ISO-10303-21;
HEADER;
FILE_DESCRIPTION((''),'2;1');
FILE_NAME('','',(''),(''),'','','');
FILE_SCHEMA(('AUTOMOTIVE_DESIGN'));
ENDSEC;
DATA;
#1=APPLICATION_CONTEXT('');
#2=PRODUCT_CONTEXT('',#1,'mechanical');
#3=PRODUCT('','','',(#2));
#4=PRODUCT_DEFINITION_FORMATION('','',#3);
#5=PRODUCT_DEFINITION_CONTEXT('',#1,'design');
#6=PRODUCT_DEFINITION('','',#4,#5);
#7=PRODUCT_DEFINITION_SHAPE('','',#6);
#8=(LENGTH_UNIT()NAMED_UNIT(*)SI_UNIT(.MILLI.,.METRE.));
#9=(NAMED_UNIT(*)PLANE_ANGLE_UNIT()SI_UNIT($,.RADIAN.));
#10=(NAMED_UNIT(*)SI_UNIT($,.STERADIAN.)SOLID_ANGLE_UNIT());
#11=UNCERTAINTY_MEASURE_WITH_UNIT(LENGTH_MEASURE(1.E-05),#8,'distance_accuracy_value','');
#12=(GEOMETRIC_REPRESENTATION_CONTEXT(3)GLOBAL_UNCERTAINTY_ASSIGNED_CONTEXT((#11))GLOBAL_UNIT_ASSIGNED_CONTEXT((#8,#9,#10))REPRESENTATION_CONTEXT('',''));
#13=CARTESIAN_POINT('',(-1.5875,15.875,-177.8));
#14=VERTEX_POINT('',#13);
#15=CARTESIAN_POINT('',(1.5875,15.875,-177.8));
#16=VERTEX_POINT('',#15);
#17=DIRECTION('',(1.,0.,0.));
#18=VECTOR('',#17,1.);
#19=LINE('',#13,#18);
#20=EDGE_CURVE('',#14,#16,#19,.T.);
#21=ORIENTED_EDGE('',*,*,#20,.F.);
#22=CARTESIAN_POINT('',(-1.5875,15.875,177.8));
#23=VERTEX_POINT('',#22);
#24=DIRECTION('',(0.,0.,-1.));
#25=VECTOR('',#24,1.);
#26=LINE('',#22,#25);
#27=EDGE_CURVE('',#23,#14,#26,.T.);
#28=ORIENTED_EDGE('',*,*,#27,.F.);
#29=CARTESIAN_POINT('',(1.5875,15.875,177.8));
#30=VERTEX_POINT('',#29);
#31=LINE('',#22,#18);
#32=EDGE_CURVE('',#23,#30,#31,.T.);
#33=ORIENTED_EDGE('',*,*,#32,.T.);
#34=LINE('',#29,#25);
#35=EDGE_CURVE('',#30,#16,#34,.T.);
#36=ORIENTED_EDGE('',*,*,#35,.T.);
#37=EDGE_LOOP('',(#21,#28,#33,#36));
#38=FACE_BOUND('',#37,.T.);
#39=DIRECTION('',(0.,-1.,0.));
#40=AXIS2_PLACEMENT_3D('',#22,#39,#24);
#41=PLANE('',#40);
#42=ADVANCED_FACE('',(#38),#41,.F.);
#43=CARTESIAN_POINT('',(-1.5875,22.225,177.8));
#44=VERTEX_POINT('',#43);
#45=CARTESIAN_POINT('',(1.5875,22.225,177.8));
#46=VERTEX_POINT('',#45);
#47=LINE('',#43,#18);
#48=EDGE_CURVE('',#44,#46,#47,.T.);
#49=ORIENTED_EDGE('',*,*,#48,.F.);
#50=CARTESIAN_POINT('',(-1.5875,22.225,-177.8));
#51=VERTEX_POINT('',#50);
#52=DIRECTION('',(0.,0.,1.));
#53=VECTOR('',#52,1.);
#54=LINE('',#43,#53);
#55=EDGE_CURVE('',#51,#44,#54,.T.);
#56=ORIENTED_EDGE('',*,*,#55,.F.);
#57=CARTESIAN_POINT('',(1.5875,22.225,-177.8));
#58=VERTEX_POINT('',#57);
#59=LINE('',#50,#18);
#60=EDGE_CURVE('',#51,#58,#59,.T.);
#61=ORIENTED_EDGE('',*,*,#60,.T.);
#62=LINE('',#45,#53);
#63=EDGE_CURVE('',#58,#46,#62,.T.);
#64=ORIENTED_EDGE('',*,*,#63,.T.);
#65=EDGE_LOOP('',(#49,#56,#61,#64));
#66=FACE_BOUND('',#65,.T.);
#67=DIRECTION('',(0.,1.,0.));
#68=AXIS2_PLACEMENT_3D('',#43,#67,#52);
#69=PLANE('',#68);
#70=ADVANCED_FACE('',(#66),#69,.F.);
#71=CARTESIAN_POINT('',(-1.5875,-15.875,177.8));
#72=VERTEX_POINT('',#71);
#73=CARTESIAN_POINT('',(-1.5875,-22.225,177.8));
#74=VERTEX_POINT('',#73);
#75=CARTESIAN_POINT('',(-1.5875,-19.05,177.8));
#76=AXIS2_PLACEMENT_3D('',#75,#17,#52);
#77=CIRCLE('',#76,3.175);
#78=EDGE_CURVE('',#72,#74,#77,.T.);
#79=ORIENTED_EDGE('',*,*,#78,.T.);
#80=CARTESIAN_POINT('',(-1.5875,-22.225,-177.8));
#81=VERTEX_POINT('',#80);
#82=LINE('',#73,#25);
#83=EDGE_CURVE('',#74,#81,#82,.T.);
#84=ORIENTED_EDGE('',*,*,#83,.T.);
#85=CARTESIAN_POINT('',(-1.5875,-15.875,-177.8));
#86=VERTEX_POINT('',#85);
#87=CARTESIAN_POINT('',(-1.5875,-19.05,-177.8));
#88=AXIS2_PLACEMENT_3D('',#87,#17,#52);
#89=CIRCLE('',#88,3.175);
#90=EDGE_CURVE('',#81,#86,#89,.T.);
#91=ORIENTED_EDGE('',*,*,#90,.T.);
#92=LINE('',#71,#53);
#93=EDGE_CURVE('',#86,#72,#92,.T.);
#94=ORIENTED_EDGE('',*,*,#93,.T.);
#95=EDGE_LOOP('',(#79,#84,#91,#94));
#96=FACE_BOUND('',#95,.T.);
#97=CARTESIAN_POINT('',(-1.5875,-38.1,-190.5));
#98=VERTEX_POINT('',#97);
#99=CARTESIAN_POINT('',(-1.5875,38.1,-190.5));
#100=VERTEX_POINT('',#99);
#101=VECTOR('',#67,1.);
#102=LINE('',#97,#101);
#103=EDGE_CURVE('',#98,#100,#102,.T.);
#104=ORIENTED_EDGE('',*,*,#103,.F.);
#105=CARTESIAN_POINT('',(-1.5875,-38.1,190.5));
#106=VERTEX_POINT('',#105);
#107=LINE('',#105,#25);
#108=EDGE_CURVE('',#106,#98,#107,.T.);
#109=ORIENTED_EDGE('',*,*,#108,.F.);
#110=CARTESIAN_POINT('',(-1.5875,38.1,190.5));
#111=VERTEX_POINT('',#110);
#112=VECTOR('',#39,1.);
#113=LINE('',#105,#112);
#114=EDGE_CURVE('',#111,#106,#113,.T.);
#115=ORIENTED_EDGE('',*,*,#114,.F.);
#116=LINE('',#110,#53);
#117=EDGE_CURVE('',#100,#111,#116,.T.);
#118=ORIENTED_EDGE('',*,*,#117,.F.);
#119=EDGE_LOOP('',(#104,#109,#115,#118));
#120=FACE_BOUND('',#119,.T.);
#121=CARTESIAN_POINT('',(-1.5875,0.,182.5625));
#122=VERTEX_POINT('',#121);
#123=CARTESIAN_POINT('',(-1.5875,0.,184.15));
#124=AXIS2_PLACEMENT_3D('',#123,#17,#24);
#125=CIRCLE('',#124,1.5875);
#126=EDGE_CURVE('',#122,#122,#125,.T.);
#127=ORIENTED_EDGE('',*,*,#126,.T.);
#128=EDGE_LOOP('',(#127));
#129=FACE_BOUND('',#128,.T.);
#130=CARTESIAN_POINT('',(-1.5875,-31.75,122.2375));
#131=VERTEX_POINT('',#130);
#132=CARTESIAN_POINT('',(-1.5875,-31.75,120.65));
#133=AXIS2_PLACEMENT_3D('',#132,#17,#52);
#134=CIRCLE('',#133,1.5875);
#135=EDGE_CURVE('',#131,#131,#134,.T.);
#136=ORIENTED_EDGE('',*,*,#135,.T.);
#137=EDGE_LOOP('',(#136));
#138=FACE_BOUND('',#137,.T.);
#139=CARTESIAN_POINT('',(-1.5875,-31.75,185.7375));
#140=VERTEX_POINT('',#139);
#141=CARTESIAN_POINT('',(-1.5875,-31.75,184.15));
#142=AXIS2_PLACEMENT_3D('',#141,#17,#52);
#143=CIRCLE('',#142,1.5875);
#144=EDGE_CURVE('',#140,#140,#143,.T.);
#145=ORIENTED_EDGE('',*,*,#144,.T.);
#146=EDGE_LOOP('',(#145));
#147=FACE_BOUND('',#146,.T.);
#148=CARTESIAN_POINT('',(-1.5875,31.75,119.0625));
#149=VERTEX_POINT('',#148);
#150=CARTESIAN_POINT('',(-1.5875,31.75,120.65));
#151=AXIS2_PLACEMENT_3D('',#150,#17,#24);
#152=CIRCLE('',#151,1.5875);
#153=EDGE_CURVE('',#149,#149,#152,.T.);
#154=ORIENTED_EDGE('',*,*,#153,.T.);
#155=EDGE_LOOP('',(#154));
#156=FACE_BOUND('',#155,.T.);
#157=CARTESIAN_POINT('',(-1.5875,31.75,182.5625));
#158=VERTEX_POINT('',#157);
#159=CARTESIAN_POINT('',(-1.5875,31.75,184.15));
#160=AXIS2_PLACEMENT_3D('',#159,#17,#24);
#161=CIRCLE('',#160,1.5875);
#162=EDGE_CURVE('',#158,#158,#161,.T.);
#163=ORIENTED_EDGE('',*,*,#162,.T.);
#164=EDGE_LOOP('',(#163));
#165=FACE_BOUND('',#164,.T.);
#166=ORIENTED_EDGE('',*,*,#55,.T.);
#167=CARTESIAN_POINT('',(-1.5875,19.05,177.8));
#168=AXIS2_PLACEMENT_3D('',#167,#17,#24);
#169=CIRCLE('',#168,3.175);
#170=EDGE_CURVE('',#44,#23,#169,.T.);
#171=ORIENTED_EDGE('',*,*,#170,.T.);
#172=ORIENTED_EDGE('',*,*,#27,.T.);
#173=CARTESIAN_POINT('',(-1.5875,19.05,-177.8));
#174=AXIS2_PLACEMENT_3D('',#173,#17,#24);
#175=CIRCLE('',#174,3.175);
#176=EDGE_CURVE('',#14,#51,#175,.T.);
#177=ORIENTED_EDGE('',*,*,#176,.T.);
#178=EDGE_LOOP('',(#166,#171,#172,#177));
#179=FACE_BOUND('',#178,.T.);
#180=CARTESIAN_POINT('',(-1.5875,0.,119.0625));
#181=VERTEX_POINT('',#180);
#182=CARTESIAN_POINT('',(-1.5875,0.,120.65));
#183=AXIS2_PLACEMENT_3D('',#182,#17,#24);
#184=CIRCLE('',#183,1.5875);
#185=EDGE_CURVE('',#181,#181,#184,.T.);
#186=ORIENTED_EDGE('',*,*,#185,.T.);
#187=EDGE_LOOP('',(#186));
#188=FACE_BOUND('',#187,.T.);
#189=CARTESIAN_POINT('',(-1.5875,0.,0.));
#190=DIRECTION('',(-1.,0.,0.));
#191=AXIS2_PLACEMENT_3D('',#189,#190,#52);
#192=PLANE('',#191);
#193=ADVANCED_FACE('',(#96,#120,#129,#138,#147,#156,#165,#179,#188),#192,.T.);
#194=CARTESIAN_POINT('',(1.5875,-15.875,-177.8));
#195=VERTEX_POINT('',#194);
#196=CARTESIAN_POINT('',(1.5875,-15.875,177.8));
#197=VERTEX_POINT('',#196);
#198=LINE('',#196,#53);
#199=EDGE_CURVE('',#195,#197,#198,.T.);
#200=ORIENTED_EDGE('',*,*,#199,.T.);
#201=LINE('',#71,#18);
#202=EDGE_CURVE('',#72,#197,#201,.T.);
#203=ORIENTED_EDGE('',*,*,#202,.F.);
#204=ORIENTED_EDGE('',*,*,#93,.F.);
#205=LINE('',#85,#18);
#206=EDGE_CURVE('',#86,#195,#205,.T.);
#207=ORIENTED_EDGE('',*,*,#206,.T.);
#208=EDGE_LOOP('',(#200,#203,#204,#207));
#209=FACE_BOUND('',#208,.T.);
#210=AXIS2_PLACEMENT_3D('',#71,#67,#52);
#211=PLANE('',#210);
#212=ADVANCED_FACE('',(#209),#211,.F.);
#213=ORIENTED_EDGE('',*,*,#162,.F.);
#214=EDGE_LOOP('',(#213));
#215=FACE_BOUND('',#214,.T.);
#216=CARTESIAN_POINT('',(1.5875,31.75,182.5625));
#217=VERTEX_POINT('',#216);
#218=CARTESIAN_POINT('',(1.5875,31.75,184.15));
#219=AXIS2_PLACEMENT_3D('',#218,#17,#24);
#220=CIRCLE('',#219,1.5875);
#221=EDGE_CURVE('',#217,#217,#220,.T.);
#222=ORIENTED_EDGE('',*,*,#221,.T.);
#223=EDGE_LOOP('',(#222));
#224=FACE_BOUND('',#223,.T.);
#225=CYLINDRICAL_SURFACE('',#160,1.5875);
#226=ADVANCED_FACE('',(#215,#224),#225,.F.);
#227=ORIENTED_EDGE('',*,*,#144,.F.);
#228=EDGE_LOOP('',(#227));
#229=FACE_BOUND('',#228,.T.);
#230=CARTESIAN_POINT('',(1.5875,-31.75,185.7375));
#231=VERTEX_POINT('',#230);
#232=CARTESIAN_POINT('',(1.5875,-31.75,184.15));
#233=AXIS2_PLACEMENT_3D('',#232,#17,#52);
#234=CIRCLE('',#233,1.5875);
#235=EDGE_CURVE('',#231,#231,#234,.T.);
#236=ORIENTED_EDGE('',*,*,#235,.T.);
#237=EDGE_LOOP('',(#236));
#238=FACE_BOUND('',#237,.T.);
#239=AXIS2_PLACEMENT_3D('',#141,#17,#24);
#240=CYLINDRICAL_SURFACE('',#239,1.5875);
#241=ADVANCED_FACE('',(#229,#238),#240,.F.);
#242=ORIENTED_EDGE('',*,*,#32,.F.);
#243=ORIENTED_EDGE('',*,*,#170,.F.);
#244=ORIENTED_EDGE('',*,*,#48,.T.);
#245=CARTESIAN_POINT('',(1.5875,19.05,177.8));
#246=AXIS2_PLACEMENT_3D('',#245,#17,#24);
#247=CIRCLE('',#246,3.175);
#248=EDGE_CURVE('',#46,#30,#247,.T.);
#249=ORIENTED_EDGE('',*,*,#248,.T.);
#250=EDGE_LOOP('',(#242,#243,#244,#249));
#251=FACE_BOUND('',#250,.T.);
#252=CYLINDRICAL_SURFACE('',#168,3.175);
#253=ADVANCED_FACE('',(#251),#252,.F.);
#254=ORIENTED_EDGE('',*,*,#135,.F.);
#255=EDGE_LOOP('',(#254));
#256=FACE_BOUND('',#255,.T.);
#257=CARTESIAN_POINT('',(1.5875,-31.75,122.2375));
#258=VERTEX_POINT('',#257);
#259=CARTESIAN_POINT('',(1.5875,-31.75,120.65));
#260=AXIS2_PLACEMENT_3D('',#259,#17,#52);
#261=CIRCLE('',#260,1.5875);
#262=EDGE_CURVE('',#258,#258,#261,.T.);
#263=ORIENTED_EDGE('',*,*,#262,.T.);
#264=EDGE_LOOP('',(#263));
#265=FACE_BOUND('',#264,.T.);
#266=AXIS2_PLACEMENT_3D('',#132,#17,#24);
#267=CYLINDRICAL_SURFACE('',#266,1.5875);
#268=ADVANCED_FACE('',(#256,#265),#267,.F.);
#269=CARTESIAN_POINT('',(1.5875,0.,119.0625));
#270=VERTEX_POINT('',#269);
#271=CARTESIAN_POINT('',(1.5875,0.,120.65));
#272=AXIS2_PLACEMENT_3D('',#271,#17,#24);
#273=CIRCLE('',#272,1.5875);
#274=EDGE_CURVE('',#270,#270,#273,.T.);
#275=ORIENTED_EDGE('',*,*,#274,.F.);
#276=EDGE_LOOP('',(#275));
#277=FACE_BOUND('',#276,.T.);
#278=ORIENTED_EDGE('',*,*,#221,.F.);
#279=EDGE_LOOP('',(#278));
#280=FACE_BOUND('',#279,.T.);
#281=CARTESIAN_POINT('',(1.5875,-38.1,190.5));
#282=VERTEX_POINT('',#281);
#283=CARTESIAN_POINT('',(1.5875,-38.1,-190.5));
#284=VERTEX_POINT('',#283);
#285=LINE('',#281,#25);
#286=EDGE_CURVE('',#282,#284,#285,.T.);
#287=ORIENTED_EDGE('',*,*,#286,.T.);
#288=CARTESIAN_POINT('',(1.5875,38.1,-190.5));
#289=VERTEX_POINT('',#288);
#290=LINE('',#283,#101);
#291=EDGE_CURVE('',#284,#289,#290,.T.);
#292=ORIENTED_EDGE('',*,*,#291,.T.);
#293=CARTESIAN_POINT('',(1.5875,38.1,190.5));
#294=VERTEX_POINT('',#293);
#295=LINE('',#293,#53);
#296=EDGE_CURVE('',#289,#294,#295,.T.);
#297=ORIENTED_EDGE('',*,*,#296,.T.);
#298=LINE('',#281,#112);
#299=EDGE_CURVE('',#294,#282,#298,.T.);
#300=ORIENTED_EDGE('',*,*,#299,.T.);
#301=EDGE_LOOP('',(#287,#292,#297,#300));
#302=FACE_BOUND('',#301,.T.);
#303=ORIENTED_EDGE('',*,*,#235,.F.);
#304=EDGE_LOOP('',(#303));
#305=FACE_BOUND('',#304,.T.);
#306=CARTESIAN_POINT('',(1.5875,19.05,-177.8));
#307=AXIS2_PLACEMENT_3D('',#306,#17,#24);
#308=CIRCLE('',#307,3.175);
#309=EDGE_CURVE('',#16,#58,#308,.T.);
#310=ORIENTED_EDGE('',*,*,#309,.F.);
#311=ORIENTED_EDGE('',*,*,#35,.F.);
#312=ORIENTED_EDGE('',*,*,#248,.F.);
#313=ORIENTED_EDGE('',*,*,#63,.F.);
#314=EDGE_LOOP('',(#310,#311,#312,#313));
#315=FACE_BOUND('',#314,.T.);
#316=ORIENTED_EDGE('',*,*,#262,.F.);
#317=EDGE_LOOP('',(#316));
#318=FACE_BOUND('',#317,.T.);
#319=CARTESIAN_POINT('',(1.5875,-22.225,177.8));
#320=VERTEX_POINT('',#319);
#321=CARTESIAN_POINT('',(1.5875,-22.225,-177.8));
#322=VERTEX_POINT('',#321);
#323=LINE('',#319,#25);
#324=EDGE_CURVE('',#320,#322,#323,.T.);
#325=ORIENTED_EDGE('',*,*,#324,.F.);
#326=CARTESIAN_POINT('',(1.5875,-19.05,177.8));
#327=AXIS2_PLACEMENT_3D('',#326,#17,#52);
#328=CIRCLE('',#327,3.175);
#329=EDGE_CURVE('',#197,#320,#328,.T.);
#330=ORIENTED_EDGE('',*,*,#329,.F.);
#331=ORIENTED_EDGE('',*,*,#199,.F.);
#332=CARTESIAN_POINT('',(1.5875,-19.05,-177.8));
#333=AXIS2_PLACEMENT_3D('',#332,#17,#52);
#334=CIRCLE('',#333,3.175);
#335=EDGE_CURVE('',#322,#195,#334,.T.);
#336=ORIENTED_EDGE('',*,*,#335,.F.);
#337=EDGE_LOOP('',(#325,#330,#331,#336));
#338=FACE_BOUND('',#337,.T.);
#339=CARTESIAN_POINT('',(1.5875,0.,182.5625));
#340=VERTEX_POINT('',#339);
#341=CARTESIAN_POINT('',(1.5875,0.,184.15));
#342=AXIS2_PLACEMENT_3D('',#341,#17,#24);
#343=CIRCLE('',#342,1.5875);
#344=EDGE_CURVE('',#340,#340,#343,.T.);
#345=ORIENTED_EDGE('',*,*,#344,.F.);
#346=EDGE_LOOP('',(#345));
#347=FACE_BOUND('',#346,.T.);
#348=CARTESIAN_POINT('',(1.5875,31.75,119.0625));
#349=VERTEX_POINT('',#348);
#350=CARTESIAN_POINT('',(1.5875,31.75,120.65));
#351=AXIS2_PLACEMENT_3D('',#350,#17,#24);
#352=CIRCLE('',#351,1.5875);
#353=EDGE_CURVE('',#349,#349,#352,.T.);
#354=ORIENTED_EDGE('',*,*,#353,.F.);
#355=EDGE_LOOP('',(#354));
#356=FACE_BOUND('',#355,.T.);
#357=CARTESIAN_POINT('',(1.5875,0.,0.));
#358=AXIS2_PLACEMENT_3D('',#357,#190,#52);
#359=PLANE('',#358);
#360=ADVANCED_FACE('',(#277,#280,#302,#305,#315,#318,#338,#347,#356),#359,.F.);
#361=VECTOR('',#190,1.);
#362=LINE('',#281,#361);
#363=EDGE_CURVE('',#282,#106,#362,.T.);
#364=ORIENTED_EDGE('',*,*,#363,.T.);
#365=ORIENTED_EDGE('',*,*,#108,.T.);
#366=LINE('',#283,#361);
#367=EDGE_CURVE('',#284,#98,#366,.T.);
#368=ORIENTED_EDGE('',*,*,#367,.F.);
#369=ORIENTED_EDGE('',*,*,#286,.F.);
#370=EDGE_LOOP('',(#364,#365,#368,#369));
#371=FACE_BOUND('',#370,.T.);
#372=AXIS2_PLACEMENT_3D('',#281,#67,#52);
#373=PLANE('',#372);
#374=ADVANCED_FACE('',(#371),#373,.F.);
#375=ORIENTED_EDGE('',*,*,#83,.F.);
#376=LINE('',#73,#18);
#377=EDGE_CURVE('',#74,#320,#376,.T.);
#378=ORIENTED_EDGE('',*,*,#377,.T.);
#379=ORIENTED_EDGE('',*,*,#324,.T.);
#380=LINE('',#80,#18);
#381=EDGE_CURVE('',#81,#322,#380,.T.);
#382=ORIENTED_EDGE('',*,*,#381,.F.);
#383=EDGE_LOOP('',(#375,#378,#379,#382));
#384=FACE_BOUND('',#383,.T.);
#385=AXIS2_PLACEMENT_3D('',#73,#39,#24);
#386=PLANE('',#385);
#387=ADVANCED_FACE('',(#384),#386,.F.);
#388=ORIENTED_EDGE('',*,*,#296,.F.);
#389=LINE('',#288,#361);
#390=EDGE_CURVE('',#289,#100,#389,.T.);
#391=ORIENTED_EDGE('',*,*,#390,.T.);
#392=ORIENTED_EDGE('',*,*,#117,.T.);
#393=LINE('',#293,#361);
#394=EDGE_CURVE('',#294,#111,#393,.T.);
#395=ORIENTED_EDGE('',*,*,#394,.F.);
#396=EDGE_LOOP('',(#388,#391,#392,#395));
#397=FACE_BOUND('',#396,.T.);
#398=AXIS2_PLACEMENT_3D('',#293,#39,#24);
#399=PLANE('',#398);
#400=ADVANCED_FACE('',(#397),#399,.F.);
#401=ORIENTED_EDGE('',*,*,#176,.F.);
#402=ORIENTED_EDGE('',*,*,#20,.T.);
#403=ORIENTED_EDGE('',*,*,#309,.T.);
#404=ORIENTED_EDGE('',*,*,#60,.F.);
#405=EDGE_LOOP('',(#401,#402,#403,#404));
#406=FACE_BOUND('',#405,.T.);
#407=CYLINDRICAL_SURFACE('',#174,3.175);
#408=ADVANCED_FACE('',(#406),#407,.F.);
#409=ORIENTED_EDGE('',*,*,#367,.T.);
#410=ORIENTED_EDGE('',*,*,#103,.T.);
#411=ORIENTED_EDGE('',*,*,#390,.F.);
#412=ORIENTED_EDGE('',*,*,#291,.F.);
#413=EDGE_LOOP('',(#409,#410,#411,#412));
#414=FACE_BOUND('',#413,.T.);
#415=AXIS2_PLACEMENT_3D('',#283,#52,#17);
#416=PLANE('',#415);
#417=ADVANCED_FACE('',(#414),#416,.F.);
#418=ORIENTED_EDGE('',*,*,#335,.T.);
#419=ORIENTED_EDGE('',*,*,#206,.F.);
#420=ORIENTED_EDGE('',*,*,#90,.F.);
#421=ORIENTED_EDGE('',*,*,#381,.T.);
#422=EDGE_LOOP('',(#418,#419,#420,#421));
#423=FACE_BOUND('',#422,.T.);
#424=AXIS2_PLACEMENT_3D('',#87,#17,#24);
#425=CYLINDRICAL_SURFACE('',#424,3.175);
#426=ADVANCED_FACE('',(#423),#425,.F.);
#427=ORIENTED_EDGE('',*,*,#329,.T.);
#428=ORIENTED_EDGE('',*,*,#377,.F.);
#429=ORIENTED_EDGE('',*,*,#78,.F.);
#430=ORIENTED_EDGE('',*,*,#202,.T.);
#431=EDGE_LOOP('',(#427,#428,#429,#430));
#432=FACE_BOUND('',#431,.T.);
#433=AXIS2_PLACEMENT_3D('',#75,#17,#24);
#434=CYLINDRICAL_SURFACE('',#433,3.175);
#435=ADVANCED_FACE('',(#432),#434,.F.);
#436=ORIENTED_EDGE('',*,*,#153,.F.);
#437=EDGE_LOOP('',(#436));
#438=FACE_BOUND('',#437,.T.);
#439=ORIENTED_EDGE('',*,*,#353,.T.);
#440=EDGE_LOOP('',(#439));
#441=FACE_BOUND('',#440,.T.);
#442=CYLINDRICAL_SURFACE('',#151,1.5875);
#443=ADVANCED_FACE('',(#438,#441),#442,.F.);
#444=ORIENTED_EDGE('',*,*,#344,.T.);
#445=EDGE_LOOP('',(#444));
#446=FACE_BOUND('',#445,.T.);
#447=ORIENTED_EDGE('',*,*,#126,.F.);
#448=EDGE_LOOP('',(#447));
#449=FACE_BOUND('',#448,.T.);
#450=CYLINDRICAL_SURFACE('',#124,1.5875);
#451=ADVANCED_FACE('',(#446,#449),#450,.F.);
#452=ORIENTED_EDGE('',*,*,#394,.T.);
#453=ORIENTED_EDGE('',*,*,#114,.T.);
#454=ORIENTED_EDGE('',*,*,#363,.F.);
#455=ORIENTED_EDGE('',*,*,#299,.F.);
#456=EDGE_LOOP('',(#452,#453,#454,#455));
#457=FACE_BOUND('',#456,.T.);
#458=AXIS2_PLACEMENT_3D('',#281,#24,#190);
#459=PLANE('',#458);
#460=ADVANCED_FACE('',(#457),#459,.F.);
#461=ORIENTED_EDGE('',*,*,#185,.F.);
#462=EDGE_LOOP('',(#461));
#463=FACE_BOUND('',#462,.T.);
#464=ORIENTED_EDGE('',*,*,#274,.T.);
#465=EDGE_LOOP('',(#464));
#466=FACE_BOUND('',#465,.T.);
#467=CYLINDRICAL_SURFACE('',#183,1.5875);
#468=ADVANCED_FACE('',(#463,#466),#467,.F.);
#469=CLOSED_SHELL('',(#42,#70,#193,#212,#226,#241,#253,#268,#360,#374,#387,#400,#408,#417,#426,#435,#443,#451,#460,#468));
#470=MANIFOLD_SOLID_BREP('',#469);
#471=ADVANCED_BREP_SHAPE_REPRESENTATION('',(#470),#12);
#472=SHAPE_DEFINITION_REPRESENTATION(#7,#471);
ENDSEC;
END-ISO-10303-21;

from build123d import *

# Parameters (mm, degrees)
SKETCH1_W         = 381
SKETCH1_H         = 76.2
OUTER_CUT_DEPTH   = 1.5875
SLOTS_DEPTH       = 195.298586266
SKETCH3_R         = 1.5875
MOUNT_HOLES_DEPTH = 195.298586266


with BuildPart() as part:
    # Sketch1 → Outer Cut (new, symmetric)
    with BuildSketch(Plane(origin=(0, 0, 0), x_dir=(0, 0, -1), z_dir=(1, 0, 0))):
        Rectangle(SKETCH1_W, SKETCH1_H)
    extrude(amount=OUTER_CUT_DEPTH, both=True)

    # Sketch2 → Slots (cut, through all)
    with BuildSketch(Plane(origin=(1.5875, 0, 0), x_dir=(0, 0, -1), z_dir=(1, 0, 0))):
        with BuildLine():
            Line((-177.8, 22.225), (177.8, 22.225))
            ThreePointArc((177.8, 22.225), (180.975, 19.05), (177.8, 15.875))
            Line((177.8, 15.875), (-177.8, 15.875))
            ThreePointArc((-177.8, 15.875), (-180.975, 19.05), (-177.8, 22.225))
        make_face()
        with BuildLine():
            Line((-177.8, -22.225), (177.8, -22.225))
            ThreePointArc((177.8, -22.225), (180.975, -19.05), (177.8, -15.875))
            Line((177.8, -15.875), (-177.8, -15.875))
            ThreePointArc((-177.8, -15.875), (-180.975, -19.05), (-177.8, -22.225))
        make_face()
    extrude(amount=-SLOTS_DEPTH, mode=Mode.SUBTRACT)

    # Sketch3 → Mount Holes (cut, through all)
    with BuildSketch(Plane(origin=(1.5875, 0, 0), x_dir=(0, 0, -1), z_dir=(1, 0, 0))):
        with Locations((-184.15, 31.75)):
            Circle(SKETCH3_R)
        with Locations((-120.65, 31.75)):
            Circle(SKETCH3_R)
        with Locations(Location((-120.65, -31.75, 0), (0, 0, 180))):
            Circle(SKETCH3_R)
        with Locations(Location((-184.15, -31.75, 0), (0, 0, 180))):
            Circle(SKETCH3_R)
        with Locations((-184.15, 0)):
            Circle(SKETCH3_R)
        with Locations((-120.65, 0)):
            Circle(SKETCH3_R)
    extrude(amount=-MOUNT_HOLES_DEPTH, mode=Mode.SUBTRACT)


solid = part.part
